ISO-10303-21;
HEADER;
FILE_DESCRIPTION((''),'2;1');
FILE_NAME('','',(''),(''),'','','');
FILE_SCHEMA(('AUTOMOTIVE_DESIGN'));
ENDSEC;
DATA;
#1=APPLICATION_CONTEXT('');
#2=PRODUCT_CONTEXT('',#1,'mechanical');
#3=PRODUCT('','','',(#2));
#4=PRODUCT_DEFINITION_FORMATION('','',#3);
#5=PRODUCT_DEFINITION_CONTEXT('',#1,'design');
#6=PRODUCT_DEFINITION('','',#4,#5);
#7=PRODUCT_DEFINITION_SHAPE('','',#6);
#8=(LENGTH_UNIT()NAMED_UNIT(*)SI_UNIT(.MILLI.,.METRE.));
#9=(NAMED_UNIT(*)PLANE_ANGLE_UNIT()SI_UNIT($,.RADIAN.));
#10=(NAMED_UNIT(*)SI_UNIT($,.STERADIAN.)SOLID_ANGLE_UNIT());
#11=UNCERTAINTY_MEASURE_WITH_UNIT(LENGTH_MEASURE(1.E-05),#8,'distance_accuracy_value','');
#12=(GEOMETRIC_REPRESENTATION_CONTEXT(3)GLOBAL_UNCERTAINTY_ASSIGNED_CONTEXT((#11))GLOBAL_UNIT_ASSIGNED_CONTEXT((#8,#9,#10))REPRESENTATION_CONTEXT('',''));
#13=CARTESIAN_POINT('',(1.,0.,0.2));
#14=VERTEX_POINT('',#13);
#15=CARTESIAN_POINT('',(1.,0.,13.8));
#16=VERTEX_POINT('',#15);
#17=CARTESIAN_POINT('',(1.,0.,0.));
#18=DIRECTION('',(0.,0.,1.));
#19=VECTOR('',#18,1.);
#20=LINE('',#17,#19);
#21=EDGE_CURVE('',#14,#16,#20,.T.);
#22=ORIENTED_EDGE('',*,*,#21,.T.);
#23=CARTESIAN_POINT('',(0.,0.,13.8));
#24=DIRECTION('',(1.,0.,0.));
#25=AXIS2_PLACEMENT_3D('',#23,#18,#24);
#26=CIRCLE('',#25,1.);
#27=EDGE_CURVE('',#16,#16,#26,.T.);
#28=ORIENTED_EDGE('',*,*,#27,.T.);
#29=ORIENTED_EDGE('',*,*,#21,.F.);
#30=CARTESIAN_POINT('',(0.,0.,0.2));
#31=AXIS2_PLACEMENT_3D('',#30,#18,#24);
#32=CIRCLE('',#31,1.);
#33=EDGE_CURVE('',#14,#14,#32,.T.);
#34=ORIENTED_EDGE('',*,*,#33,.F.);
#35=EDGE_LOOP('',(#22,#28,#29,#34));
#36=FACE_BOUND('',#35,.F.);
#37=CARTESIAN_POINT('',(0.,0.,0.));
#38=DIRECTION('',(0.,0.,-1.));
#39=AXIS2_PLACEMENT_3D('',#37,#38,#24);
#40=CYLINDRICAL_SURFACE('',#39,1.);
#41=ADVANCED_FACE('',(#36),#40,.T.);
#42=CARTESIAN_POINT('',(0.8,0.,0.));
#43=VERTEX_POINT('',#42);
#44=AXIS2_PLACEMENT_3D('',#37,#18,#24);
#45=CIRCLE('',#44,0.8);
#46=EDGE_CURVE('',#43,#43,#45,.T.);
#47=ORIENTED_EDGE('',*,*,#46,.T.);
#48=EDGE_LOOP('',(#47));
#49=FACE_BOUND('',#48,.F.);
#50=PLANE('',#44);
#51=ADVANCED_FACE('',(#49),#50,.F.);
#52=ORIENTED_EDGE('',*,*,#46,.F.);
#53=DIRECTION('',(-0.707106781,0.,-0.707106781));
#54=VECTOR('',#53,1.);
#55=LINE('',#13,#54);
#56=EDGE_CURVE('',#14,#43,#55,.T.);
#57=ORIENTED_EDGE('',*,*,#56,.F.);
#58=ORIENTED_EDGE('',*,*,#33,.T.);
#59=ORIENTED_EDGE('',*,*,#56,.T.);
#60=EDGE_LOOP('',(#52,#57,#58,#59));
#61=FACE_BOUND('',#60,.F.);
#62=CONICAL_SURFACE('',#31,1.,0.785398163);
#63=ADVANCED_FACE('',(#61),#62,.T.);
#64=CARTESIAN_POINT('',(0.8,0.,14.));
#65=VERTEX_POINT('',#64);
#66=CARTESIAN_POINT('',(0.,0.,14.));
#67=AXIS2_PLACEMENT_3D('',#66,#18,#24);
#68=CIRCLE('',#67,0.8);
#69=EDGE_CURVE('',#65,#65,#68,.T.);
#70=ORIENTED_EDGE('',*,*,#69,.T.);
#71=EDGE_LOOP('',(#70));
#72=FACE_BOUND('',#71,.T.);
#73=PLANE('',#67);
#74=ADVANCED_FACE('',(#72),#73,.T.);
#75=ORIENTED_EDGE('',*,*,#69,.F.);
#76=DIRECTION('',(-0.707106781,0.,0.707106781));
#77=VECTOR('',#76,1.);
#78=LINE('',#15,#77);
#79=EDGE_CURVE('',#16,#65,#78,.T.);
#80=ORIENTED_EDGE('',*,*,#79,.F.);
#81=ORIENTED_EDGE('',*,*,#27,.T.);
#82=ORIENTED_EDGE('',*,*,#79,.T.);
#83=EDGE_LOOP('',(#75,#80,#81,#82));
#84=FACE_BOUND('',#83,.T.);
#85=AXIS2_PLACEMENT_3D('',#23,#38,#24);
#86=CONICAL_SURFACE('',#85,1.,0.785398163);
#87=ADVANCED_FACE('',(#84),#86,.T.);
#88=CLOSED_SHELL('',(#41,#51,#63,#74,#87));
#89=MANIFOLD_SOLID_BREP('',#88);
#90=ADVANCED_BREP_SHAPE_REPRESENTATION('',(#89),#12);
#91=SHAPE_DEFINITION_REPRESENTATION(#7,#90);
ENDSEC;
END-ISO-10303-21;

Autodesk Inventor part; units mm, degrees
ref_plane "YZ Plane" through (0, 0, 0) normal (1, 0, 0) x (0, 1, 0)
ref_plane "XZ Plane" through (0, 0, 0) normal (0, 1, 0) x (-1, 0, 0)
ref_plane "XY Plane" through (0, 0, 0) normal (0, 0, 1) x (1, 0, 0)
sketch "Skizze1" plane through (0, 0, 0) normal (0, 0, 1) x (1, 0, 0)
  circle A0 centre (0, 0) radius 1
  dimension "d0" = 2
extrude "Extrusion1" add sketch "Skizze1" along normal blind 14
chamfer "Fase1" distance 0.2 angle 45 2 edges at (-1, 0, 14) (-1, 0, 0)
properties part number "LegV4Axis1"
